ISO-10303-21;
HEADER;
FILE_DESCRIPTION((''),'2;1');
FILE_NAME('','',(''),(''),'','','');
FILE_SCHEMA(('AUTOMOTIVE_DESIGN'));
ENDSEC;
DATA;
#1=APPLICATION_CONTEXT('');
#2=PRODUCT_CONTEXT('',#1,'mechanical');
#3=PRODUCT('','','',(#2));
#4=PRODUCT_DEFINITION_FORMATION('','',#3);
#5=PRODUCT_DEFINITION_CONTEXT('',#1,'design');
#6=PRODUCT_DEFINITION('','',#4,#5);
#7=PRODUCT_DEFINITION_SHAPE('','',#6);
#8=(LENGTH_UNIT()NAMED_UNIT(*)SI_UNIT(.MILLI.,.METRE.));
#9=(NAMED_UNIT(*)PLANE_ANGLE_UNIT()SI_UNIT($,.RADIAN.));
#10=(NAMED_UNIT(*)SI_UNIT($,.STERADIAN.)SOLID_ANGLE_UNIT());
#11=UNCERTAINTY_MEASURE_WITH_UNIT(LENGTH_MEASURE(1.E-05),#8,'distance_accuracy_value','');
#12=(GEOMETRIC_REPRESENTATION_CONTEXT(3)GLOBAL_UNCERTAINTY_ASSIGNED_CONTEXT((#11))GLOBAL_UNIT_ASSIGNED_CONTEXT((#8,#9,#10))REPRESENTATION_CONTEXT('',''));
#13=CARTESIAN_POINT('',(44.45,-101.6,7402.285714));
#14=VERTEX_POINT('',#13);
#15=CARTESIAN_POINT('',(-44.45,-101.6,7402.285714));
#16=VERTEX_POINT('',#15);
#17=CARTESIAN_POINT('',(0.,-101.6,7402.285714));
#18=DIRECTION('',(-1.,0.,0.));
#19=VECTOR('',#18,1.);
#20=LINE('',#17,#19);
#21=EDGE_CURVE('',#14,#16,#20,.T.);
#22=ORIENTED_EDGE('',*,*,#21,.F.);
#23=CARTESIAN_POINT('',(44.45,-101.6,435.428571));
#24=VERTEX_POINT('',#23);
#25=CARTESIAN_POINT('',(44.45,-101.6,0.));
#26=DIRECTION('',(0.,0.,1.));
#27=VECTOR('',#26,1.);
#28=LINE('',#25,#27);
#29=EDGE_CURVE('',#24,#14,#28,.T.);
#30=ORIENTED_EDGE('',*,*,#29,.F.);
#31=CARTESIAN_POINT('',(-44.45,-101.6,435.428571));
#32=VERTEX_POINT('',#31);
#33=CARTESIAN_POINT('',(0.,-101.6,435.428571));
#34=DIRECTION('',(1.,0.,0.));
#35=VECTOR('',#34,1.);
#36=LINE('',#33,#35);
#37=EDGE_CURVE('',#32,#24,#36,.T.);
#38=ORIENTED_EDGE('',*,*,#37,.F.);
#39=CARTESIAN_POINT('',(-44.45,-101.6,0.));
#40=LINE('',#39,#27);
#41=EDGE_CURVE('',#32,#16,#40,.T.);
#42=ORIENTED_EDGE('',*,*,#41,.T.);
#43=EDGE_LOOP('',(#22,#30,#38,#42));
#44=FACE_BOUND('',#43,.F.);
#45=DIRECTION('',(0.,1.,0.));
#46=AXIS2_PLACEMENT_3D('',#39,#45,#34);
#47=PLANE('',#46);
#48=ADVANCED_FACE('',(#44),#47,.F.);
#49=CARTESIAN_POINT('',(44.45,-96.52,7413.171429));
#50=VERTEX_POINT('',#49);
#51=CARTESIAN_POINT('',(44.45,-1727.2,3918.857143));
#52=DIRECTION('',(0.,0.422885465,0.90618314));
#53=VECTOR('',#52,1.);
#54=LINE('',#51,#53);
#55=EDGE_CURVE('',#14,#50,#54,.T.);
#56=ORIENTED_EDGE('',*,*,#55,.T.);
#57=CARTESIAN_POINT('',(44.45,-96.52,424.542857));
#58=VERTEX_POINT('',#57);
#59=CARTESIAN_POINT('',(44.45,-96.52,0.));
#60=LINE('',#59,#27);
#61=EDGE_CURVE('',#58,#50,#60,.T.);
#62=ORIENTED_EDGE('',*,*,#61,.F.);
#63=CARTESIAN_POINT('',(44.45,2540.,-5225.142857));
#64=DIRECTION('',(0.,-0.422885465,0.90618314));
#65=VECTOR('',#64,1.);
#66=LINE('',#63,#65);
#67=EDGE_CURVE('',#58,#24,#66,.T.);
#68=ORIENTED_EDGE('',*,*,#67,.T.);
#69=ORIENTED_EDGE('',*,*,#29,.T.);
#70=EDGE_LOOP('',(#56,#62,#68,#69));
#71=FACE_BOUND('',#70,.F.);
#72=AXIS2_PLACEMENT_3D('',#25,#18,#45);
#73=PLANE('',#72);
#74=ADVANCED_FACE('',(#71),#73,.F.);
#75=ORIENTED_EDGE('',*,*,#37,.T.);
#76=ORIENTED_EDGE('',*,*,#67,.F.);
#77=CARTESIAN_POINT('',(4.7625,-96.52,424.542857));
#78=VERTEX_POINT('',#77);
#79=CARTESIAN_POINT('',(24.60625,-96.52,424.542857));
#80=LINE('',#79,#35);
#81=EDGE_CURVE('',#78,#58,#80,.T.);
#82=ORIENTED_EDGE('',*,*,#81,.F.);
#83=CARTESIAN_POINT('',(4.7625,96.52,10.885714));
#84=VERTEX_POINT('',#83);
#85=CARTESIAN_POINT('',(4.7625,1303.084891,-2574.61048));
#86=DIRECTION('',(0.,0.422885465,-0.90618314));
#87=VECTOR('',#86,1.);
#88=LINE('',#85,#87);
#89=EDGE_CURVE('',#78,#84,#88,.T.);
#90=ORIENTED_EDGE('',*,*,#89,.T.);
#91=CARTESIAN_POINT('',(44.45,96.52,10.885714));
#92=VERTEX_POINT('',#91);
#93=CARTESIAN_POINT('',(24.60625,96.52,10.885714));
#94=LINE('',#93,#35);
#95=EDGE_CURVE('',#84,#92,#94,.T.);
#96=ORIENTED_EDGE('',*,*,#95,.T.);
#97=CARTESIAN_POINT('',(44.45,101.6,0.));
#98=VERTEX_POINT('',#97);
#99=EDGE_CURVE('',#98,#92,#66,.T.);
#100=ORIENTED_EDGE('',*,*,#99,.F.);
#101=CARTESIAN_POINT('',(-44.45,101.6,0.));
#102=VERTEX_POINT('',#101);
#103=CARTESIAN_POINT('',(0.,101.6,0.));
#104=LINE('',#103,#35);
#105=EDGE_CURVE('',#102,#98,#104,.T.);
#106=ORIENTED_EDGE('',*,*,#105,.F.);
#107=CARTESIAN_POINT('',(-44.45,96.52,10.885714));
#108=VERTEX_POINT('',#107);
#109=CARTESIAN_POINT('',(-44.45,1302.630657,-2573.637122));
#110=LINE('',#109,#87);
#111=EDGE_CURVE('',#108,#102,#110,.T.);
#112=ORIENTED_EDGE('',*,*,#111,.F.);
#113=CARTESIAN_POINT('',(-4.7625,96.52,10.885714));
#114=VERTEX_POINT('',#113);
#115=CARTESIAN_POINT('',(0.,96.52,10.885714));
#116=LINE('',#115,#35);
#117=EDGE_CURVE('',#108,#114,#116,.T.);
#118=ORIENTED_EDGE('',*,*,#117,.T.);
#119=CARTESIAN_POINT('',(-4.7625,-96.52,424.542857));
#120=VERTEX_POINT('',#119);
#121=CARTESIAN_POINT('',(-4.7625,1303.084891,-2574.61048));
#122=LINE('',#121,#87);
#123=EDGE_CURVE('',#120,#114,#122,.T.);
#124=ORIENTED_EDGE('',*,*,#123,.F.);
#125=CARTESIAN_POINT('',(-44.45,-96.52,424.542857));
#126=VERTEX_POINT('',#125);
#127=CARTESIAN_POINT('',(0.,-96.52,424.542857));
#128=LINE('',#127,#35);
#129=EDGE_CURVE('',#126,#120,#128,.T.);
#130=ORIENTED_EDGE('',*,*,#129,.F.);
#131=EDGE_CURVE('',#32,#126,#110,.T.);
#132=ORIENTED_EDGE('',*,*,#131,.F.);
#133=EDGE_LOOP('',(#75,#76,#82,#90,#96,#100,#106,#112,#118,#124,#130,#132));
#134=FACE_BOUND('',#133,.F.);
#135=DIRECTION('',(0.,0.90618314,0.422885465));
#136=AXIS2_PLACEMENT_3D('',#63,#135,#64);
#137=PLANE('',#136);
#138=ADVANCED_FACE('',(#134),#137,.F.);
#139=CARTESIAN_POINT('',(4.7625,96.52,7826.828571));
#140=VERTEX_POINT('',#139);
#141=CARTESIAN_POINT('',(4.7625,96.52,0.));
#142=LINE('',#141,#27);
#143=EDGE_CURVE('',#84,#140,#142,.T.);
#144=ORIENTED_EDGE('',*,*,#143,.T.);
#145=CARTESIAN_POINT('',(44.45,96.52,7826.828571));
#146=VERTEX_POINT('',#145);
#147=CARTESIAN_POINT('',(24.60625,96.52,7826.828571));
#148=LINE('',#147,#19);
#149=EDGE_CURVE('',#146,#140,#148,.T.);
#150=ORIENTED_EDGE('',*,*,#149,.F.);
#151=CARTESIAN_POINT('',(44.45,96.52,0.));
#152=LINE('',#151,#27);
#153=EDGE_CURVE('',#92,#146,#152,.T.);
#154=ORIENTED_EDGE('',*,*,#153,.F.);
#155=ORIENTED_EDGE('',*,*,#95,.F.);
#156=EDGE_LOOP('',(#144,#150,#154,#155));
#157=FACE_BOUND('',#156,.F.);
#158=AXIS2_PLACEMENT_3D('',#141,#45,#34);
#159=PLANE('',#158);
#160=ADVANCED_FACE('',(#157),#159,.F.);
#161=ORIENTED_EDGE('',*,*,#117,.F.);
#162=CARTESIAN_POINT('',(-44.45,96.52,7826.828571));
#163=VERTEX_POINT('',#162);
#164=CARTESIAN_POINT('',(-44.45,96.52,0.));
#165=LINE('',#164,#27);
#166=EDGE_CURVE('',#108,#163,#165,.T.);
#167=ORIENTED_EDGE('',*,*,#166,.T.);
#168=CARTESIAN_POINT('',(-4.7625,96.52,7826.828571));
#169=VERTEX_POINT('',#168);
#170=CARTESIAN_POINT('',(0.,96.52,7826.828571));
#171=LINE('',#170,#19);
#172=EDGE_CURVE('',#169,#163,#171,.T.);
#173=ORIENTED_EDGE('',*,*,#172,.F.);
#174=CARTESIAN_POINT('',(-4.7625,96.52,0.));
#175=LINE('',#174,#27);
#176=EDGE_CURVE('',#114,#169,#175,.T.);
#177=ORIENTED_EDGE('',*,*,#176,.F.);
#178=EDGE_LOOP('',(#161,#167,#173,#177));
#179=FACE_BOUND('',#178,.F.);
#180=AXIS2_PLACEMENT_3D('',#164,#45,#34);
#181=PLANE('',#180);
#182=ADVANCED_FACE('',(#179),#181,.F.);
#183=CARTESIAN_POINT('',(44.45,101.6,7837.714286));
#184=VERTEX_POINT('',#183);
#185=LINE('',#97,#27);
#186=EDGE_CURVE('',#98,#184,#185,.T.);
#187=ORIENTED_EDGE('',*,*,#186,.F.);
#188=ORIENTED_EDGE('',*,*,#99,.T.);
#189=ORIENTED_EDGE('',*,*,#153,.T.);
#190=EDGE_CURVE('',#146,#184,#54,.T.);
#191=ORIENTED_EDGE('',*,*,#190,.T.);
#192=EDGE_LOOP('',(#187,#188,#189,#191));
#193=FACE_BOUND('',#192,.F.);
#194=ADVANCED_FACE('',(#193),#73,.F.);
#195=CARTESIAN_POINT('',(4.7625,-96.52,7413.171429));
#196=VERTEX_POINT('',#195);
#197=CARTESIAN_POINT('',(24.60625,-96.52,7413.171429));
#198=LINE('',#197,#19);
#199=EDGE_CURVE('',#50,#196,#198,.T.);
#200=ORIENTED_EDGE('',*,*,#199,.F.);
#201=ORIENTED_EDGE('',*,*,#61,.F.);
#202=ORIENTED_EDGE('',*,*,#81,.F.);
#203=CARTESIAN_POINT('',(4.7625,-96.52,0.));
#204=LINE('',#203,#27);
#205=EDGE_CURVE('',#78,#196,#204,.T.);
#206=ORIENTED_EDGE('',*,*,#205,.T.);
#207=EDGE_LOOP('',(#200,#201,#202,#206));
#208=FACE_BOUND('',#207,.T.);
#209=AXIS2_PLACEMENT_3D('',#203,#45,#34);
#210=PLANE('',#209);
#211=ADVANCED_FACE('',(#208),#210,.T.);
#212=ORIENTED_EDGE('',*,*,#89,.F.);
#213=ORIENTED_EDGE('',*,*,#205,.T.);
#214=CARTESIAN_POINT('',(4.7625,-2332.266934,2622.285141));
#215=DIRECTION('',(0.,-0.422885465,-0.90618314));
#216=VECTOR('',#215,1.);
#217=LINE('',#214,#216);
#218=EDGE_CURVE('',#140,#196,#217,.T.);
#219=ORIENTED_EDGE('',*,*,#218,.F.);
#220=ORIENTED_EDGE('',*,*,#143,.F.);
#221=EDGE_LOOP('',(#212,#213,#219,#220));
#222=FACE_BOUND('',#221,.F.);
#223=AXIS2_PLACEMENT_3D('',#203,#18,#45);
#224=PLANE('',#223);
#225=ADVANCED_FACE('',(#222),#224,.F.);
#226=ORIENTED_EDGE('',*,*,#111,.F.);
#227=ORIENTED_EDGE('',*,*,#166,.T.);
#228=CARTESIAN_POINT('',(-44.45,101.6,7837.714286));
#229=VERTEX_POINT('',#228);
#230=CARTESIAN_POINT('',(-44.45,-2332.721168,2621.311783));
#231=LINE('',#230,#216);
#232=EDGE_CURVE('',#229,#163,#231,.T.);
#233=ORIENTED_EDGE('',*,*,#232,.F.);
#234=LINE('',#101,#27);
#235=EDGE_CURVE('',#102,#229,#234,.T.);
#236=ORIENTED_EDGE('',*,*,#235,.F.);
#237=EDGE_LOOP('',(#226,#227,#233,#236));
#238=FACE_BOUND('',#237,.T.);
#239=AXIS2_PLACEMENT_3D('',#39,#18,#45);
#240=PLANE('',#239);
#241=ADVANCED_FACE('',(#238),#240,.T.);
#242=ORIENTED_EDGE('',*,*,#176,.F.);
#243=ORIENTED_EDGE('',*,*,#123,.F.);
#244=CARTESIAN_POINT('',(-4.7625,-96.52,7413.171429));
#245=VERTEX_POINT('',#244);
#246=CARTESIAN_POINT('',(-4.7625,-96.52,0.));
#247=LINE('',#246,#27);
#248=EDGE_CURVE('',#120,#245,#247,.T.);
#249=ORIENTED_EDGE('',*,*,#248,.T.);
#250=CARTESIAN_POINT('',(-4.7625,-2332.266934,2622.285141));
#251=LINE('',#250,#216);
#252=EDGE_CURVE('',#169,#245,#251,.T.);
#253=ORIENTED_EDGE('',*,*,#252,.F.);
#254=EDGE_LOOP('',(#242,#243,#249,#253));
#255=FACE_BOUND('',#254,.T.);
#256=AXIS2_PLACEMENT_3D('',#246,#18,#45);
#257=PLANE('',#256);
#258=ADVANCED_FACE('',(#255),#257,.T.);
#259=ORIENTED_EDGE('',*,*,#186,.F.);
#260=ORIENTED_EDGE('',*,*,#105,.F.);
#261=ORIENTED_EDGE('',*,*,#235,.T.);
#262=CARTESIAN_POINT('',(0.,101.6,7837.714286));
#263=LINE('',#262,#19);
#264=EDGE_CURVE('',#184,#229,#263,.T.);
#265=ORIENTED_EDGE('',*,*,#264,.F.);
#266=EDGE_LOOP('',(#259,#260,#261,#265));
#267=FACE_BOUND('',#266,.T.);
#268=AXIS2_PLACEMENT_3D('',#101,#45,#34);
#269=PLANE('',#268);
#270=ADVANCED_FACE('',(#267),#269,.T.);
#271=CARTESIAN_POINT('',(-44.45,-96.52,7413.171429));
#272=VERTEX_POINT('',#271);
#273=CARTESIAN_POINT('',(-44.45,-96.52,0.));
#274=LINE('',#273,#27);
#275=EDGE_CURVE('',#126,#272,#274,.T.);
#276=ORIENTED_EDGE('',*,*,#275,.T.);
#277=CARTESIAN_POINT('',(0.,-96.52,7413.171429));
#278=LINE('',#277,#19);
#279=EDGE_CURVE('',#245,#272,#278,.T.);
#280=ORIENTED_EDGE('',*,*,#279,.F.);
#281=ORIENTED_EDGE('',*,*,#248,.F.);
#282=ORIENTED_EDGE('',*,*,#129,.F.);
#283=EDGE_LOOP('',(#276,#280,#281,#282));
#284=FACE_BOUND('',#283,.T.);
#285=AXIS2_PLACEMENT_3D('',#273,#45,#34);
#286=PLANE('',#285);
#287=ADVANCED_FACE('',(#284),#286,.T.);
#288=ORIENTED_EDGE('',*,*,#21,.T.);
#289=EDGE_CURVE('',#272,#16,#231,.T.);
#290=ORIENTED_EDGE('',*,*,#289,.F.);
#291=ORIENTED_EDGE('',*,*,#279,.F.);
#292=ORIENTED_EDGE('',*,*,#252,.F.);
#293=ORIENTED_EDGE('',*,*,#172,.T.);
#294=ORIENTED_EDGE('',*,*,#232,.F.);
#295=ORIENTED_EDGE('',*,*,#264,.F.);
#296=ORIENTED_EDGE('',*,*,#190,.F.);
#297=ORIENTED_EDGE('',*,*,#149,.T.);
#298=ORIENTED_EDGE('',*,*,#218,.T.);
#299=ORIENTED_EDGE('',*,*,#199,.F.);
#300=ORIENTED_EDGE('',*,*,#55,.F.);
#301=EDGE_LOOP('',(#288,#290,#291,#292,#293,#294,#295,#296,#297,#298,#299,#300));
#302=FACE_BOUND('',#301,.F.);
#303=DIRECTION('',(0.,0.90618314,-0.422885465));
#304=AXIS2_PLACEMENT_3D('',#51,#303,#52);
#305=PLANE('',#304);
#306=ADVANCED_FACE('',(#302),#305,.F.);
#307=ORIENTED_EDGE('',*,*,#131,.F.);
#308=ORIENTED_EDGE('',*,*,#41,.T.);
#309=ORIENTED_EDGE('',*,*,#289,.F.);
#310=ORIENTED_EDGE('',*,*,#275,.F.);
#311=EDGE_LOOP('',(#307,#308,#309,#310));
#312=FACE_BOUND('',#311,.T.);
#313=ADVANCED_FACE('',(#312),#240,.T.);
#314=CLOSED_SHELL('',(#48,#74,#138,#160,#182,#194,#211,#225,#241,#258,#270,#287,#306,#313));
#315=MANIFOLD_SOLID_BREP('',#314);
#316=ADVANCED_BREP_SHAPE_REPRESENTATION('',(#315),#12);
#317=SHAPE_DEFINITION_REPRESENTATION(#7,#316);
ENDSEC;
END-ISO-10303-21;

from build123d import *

# Parameters (mm, degrees)
F0_W     = 88.9
F0_H     = 203.2
F1_DEPTH = 10668
F2_W     = 39.6875
F2_H     = 193.04
F3_DEPTH = 10668.001
F5_DEPTH = 88.901


with BuildPart() as f1:
    # F0 (on Top) → F1 (new body)
    with BuildSketch(Plane.XY):
        Rectangle(F0_W, F0_H)
    extrude(amount=F1_DEPTH)

    # F2 (on Top) → F3 (cut, through all)
    with BuildSketch(Plane.XY):
        with Locations((-24.60625, 0)):
            Rectangle(F2_W, F2_H)
        with Locations((24.60625, 0)):
            Rectangle(F2_W, F2_H)
    extrude(amount=F3_DEPTH, mode=Mode.SUBTRACT)

    # F4 (on face) → F5 (cut, through all)
    with BuildSketch(Plane.YZ.offset(44.45)):
        Polygon((-1612.5576496124, 13062.8571428571), (-1727.2, 3918.8571428571), (-101.6, 7402.2857142857), (-101.6, 10668), (-96.52, 10668), (-96.52, 7413.1714285714), (2540, 13062.8571428571), align=None)
        Polygon((-101.6, 10668), (-101.6, 7402.2857142857), (-96.52, 7413.1714285714), (-96.52, 10668), align=None)
        Polygon((-101.6, 435.4285714286), (-1727.2, 3918.8571428571), (-1727.2, -5225.1428571429), (2540, -5225.1428571429), (-96.52, 424.5428571429), (-96.52, 0), (-101.6, 0), align=None)
        Polygon((-96.52, 424.5428571429), (-101.6, 435.4285714286), (-101.6, 0), (-96.52, 0), align=None)
    extrude(amount=-F5_DEPTH, mode=Mode.SUBTRACT)


solid = f1.part
